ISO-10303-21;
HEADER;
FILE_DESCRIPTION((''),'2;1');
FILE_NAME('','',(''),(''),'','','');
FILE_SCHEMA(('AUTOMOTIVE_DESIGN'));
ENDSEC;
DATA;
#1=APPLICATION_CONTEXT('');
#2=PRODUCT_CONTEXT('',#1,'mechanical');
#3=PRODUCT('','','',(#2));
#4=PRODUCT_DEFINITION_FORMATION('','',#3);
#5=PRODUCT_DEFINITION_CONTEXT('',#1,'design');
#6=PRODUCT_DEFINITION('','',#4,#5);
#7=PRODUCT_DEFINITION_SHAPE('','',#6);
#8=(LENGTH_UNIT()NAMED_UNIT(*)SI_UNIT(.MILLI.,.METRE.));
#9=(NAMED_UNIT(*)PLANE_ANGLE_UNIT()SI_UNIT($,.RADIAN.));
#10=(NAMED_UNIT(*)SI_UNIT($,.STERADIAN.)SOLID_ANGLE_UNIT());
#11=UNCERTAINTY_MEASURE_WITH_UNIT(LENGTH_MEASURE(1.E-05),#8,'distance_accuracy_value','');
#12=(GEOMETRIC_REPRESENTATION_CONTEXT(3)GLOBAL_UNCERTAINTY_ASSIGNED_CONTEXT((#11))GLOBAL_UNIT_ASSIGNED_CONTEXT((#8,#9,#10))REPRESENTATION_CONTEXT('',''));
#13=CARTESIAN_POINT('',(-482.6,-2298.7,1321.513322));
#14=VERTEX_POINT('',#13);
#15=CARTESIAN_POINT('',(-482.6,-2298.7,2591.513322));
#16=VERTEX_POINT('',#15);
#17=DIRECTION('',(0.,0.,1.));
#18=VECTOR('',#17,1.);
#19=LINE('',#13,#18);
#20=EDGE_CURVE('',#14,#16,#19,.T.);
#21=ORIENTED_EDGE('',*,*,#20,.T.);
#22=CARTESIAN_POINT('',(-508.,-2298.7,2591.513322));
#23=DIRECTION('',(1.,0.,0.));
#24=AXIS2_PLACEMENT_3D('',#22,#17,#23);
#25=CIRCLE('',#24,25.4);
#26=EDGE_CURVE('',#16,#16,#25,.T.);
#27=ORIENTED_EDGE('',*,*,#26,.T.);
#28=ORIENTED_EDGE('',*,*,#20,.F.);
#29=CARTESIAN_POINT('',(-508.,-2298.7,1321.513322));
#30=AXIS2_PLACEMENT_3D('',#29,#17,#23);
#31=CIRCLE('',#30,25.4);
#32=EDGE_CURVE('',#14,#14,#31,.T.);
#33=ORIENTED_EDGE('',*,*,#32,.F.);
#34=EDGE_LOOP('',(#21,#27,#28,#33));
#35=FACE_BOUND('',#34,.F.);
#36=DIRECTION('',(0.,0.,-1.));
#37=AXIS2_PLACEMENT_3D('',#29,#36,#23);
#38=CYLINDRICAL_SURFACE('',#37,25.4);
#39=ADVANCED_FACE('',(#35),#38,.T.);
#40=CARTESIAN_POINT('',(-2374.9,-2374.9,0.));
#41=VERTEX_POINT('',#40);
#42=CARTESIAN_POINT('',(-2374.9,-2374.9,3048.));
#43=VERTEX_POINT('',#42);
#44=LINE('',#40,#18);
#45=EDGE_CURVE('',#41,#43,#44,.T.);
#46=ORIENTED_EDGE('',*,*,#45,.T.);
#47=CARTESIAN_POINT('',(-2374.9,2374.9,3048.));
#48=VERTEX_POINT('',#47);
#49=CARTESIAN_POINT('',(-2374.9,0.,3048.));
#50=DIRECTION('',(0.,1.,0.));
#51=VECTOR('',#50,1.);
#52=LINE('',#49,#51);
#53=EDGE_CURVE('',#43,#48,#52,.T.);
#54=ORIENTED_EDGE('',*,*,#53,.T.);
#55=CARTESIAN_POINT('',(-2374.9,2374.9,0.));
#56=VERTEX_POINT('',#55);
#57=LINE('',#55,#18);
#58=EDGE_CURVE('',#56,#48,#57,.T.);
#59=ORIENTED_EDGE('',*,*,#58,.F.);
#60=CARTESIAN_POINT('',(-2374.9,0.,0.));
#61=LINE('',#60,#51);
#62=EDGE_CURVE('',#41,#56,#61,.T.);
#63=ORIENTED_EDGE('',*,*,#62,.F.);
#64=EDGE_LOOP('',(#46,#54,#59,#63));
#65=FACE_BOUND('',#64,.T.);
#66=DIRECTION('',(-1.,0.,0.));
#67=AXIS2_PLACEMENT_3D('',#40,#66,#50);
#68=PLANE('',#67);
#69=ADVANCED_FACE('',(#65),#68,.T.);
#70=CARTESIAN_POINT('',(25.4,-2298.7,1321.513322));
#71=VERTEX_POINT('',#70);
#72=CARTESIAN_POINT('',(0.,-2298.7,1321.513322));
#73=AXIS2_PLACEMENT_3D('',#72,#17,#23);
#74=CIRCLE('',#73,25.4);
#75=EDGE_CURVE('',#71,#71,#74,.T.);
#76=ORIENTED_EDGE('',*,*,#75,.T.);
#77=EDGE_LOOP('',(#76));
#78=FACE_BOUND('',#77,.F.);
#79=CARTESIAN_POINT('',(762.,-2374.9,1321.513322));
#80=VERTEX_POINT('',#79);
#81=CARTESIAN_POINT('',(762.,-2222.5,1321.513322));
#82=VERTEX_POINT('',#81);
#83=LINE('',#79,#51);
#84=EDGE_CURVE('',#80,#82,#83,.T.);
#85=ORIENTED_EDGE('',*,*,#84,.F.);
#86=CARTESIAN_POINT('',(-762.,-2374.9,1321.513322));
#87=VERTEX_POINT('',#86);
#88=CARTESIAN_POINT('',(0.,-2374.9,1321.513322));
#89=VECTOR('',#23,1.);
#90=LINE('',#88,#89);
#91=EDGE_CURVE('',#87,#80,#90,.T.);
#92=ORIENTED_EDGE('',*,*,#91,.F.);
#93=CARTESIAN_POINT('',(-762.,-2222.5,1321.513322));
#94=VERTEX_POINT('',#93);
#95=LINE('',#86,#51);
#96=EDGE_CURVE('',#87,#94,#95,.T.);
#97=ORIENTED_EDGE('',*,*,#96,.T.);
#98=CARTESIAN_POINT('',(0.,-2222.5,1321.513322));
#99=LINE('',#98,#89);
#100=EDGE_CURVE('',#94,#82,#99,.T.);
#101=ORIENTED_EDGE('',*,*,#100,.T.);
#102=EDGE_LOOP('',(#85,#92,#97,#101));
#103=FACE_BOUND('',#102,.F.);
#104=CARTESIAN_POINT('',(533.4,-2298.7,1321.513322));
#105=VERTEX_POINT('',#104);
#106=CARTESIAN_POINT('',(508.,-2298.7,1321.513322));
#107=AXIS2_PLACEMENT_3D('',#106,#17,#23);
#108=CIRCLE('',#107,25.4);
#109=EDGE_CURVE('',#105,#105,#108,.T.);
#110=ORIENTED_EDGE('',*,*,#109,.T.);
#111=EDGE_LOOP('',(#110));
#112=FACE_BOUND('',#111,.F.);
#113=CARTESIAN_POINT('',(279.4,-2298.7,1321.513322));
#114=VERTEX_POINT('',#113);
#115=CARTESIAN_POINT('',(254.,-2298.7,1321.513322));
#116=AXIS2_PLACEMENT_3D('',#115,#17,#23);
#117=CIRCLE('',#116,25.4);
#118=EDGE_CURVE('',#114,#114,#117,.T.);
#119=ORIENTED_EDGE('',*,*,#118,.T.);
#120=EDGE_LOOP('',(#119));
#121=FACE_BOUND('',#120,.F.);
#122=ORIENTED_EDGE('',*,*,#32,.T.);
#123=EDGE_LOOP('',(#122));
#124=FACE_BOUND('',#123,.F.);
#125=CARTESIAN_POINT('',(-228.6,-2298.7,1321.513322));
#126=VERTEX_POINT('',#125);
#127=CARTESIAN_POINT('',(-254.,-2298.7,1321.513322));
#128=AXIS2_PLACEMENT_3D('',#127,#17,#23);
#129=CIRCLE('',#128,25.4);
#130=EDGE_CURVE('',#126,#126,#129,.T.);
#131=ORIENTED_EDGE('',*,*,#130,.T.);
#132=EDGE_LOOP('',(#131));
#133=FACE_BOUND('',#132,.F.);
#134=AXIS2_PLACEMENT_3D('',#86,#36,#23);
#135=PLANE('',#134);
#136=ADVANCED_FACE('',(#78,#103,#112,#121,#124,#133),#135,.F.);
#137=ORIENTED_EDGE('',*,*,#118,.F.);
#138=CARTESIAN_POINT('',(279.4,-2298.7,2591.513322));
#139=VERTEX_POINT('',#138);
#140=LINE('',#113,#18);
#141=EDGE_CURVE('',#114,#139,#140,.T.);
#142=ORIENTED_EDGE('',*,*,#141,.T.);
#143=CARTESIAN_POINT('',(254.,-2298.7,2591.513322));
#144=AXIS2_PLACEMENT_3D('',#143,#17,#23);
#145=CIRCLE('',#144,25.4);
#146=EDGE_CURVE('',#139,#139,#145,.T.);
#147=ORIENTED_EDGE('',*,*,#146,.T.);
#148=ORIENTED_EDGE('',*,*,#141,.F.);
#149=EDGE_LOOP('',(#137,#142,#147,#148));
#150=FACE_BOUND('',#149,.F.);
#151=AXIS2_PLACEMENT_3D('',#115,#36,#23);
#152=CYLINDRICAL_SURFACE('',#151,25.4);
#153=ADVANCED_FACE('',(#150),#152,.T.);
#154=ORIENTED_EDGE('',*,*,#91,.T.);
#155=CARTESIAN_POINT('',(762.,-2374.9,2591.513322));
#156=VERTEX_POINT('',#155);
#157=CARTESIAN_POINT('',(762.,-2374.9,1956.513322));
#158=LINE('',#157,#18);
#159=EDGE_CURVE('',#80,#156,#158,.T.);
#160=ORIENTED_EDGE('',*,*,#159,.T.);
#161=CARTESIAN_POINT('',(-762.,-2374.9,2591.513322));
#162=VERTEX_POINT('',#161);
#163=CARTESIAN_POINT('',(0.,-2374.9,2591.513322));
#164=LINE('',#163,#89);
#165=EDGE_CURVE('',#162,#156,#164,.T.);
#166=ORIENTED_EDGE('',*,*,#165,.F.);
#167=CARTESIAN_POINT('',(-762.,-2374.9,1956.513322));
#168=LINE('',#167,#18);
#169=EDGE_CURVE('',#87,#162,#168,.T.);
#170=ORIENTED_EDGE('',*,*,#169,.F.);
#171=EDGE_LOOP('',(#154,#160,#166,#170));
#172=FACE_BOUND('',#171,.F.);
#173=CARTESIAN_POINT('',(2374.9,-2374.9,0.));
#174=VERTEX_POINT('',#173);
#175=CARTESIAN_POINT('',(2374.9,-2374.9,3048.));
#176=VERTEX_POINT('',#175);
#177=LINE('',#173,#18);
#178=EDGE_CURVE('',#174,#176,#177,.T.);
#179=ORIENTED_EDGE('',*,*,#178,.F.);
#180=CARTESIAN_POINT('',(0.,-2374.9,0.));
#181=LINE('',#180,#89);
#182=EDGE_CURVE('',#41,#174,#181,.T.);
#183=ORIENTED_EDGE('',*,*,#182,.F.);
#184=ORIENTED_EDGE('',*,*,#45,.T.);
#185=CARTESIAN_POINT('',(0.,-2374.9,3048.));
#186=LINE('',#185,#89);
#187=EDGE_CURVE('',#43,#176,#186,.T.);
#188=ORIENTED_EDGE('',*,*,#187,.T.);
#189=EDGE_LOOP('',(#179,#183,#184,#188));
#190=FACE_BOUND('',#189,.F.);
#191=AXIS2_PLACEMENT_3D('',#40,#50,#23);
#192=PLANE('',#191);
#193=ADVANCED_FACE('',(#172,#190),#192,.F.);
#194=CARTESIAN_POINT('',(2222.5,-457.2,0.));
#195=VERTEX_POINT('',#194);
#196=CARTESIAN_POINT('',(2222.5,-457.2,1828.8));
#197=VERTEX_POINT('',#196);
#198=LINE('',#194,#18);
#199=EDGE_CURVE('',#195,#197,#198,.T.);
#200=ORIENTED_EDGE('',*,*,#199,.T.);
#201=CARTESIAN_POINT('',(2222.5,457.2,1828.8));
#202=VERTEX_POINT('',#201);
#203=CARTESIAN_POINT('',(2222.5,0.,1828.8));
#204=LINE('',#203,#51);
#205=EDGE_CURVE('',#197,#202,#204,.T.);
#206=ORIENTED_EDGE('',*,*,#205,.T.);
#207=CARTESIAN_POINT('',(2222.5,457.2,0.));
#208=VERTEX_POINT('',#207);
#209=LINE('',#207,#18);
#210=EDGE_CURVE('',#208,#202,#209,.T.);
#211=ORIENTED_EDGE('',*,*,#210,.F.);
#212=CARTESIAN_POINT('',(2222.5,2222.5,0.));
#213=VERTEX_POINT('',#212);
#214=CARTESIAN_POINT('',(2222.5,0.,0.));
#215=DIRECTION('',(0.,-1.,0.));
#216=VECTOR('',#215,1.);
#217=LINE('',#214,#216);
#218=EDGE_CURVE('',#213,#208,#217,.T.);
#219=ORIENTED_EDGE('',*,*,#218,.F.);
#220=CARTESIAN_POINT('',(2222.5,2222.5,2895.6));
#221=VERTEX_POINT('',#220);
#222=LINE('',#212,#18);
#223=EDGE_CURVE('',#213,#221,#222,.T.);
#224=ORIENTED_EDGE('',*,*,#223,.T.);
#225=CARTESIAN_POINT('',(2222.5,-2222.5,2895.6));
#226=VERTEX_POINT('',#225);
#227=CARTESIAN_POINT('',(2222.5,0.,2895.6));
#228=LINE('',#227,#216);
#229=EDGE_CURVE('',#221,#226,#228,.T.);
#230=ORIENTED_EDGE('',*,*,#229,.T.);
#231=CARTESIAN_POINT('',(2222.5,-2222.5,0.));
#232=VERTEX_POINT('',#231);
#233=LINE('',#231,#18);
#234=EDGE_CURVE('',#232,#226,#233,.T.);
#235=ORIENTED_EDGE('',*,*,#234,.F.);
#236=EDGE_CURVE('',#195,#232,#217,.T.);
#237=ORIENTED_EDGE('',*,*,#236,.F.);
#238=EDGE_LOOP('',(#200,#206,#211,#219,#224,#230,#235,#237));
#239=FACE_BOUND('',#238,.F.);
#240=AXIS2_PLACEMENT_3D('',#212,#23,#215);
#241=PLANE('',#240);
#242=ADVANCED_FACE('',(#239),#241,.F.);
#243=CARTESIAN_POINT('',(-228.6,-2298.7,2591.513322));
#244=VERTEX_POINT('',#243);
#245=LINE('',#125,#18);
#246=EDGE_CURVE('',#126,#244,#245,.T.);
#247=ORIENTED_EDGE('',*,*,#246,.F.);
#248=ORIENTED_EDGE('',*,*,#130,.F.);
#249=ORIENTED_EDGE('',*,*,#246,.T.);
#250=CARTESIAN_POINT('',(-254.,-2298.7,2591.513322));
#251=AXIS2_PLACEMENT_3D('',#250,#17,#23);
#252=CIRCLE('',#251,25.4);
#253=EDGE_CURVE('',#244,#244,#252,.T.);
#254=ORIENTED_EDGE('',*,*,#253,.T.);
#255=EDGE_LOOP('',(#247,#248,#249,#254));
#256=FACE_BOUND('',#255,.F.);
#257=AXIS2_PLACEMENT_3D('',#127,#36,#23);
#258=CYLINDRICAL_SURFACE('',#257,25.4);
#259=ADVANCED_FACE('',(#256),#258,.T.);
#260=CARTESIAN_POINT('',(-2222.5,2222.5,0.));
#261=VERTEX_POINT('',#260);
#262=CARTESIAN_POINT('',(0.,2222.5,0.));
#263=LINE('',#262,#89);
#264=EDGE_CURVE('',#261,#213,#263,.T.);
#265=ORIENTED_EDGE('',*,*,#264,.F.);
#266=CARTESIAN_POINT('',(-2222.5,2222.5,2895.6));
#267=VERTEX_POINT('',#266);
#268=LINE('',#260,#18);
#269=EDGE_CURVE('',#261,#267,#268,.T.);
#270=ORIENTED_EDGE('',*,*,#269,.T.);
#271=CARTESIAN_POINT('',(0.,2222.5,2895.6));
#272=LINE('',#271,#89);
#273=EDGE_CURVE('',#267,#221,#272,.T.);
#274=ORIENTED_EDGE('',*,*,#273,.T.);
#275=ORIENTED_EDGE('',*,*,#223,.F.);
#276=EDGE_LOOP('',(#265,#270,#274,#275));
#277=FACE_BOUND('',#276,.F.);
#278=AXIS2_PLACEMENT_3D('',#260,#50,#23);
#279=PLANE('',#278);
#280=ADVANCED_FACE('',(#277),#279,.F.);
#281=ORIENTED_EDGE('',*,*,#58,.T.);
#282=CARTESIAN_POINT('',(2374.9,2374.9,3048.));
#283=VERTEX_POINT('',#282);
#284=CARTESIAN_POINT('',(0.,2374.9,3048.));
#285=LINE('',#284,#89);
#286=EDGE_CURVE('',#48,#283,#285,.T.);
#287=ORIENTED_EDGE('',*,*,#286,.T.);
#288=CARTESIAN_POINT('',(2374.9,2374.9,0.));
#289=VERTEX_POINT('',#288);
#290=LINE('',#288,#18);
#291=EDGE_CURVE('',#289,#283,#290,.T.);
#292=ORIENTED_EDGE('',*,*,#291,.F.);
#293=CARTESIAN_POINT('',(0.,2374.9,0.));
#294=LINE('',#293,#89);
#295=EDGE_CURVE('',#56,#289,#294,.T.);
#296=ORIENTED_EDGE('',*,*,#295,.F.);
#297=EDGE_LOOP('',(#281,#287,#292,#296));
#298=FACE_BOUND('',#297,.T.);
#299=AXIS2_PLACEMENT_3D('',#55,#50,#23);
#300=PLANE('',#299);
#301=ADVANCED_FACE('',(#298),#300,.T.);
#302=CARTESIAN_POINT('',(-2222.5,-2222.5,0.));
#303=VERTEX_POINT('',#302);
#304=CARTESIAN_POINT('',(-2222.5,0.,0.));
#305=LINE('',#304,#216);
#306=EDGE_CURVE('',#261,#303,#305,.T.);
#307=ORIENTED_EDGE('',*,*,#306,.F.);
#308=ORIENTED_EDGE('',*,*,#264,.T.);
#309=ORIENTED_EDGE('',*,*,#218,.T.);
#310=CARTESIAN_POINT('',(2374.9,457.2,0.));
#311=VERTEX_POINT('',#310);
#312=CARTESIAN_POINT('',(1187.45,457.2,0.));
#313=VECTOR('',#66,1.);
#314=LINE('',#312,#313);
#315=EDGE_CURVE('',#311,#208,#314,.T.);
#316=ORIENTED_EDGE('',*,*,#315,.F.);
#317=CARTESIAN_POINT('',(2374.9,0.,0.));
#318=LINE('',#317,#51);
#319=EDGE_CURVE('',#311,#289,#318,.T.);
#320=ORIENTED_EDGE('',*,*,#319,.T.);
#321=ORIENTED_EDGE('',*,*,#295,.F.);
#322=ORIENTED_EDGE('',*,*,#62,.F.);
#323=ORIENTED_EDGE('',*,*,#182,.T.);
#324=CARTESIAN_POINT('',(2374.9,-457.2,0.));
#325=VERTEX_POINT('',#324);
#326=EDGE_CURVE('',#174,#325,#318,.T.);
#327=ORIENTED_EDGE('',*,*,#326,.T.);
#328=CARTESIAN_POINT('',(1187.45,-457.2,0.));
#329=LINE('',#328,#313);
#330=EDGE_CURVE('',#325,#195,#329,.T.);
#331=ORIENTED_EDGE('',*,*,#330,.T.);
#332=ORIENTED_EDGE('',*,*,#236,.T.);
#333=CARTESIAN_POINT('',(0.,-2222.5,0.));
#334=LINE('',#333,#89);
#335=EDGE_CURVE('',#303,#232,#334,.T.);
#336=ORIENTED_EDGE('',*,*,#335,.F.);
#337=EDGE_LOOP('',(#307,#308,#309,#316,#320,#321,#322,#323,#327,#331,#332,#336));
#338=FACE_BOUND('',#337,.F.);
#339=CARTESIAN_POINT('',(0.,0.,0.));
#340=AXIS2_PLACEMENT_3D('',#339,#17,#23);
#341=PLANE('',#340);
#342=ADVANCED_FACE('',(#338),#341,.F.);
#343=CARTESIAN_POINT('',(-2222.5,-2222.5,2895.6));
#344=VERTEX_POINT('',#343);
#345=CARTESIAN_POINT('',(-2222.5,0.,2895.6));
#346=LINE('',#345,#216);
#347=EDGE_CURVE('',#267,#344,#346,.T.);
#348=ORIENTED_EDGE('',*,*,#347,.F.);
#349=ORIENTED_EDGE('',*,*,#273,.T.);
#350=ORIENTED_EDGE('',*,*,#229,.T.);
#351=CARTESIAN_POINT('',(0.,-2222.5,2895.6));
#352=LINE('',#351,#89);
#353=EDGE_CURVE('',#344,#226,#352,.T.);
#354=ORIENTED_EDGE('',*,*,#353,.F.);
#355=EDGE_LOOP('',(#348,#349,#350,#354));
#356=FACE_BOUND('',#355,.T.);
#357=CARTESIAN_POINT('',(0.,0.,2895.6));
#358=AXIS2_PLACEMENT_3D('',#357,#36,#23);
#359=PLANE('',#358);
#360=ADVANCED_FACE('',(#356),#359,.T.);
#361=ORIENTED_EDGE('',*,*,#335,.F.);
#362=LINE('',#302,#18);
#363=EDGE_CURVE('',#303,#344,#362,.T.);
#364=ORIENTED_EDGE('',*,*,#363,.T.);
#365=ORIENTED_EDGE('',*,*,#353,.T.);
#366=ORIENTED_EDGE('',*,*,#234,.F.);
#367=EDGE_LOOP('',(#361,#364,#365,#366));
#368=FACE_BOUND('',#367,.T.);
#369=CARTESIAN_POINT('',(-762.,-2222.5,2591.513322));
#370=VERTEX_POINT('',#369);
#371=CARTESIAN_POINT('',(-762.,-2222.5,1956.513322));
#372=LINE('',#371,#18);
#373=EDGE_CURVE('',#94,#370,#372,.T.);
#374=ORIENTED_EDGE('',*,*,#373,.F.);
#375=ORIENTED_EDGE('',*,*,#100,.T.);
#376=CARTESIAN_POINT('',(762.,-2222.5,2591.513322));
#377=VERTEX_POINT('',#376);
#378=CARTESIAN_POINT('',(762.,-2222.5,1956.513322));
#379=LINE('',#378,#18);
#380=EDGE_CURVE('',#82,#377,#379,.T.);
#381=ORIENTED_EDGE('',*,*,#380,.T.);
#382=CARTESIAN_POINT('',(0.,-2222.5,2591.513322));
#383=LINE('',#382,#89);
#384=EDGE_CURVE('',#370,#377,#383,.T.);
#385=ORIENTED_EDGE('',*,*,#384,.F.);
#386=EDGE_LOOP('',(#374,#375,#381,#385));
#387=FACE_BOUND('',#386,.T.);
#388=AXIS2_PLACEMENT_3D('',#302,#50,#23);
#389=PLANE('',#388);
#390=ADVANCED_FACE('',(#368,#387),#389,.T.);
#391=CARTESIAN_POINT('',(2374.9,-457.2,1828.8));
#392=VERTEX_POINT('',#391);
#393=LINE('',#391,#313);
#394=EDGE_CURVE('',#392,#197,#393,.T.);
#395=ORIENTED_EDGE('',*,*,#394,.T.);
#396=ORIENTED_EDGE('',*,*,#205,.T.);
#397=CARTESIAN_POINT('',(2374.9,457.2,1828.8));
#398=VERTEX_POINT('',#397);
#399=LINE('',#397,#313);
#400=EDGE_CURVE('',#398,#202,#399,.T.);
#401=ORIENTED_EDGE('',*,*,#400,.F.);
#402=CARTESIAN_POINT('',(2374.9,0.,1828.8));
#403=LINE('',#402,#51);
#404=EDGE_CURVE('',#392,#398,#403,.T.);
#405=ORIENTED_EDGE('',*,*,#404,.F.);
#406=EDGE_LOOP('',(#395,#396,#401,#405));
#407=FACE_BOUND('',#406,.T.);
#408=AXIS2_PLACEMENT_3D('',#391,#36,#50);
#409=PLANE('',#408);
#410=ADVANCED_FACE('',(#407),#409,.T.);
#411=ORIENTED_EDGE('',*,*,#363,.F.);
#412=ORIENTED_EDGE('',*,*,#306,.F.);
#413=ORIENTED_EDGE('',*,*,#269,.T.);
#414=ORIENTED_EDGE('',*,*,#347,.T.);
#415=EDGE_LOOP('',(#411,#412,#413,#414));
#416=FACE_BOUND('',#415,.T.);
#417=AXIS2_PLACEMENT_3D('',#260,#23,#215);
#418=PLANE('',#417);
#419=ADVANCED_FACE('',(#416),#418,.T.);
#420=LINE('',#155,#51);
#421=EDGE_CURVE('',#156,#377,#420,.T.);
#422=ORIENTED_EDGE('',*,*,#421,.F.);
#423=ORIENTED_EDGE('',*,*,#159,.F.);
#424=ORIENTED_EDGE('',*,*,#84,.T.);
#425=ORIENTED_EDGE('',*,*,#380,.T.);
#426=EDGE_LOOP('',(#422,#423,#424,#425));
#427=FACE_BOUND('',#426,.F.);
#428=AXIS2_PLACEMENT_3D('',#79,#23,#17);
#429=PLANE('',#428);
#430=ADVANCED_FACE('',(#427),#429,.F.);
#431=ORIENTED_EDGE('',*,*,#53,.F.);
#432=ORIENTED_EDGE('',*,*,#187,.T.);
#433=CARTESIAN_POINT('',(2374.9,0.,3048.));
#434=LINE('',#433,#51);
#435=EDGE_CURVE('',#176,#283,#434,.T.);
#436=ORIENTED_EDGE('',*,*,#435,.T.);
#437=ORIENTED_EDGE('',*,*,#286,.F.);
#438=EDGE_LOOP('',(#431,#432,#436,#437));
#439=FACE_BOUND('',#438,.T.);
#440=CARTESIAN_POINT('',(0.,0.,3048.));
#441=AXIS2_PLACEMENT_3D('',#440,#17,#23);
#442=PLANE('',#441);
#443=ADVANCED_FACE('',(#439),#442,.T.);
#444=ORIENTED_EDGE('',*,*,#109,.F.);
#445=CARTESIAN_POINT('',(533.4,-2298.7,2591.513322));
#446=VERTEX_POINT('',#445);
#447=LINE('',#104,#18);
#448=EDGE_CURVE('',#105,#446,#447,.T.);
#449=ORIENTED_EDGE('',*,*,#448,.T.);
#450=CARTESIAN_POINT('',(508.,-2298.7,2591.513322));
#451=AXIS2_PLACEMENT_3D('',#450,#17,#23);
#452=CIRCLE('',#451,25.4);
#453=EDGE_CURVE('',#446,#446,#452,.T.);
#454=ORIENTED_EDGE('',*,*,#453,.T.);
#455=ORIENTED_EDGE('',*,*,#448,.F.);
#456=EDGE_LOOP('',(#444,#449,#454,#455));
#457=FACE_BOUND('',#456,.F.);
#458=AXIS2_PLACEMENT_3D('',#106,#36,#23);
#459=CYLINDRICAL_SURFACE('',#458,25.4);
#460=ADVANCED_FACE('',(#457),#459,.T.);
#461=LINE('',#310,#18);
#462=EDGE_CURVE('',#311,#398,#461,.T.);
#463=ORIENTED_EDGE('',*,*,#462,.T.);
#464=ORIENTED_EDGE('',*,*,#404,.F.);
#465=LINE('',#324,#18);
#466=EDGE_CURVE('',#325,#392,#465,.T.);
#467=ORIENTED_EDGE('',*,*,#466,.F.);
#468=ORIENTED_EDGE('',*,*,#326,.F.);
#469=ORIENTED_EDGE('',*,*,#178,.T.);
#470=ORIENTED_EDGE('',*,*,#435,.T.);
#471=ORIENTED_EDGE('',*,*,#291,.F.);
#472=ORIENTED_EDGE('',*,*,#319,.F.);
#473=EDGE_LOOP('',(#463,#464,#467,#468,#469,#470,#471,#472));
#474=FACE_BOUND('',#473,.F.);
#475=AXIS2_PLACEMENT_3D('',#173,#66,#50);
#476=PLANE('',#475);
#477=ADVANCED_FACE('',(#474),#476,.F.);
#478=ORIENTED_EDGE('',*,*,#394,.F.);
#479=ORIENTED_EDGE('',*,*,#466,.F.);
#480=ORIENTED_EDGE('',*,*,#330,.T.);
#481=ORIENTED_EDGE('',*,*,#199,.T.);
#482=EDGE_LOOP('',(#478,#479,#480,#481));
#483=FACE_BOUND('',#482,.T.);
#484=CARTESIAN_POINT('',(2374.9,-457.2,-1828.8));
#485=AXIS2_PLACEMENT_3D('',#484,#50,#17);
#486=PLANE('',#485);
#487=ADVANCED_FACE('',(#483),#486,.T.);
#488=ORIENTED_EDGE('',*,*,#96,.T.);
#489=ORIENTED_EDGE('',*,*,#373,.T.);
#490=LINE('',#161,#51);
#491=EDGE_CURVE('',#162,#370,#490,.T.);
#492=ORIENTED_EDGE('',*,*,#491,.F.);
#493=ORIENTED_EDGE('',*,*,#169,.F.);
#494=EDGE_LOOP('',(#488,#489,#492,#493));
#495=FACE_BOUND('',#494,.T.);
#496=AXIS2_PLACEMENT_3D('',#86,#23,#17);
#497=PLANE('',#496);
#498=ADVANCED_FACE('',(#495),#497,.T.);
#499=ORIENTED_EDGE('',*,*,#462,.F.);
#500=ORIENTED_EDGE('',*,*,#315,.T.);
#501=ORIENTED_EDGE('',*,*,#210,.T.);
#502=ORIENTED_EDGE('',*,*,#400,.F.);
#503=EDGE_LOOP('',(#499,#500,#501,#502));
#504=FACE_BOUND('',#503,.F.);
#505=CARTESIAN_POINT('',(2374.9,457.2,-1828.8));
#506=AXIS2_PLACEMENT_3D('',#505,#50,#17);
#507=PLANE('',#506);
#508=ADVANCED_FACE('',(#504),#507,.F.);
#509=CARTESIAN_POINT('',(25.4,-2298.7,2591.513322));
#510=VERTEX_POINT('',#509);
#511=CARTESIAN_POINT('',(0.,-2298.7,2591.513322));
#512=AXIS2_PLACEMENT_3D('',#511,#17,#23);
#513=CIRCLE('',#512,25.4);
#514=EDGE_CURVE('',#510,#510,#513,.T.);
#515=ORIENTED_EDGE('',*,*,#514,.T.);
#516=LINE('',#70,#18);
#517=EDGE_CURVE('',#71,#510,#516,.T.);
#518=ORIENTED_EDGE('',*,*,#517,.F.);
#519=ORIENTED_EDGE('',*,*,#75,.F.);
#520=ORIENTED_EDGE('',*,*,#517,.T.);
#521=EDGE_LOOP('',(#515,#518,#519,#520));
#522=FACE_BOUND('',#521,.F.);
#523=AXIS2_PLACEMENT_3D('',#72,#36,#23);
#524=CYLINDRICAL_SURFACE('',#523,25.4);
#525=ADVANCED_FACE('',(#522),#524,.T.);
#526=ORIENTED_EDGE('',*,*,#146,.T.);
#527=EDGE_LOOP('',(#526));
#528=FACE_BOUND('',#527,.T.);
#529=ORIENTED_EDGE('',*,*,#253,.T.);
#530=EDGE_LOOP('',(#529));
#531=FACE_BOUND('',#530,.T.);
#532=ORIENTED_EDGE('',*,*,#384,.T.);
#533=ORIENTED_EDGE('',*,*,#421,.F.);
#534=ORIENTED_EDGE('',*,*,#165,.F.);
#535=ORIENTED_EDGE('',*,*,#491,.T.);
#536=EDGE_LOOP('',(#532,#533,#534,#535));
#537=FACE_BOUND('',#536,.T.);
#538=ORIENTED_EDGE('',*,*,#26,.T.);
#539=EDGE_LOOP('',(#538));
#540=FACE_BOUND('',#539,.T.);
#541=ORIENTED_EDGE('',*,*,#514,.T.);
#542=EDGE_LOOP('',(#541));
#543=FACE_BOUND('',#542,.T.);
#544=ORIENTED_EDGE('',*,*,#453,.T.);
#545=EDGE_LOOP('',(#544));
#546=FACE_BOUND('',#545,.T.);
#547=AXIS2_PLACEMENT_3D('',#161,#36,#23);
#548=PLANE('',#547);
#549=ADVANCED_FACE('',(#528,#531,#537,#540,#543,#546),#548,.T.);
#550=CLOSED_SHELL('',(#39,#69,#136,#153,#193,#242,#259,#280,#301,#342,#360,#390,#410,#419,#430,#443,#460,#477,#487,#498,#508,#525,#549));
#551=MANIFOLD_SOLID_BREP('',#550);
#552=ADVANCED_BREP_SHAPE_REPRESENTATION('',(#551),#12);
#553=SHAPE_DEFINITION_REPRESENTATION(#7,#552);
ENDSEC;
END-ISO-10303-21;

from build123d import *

# Parameters (mm, degrees)
F0_W     = 4749.8
F0_H     = 4749.8
F1_DEPTH = 3048
F2_W     = 1524
F2_H     = 1270
F3_DEPTH = 152.4
F4_W     = 4445
F4_H     = 4445
F5_DEPTH = 2895.6
F6_R     = 25.4
F7_DEPTH = 1270
F8_W     = 914.4
F8_H     = 3657.6
F9_DEPTH = 152.4


with BuildPart() as f1:
    # F0 (on Top) → F1 (new body)
    with BuildSketch(Plane.XY):
        Rectangle(F0_W, F0_H)
    extrude(amount=F1_DEPTH)

    # F2 (on face) → F3 (cut)
    with BuildSketch(Plane.XZ.offset(2374.9)):
        with Locations((0, 1956.513322)):
            Rectangle(F2_W, F2_H)
    extrude(amount=-F3_DEPTH, mode=Mode.SUBTRACT)

    # F4 (on face) → F5 (cut)
    with BuildSketch(Plane(origin=(0, 0, 0), x_dir=(1, 0, 0), z_dir=(0, 0, -1))):
        Rectangle(F4_W, F4_H)
    extrude(amount=-F5_DEPTH, mode=Mode.SUBTRACT)

    # F6 (on face) → F7 (join)
    with BuildSketch(Plane.XY.offset(1321.513322)):
        with Locations((-508, -2298.7)):
            Circle(F6_R)
        with Locations((0, -2298.7)):
            Circle(F6_R)
        with Locations((508, -2298.7)):
            Circle(F6_R)
        with Locations((-254, -2298.7)):
            Circle(F6_R)
        with Locations((254, -2298.7)):
            Circle(F6_R)
    extrude(amount=F7_DEPTH)

    # F8 (on face) → F9 (cut)
    with BuildSketch(Plane.YZ.offset(2374.9)):
        Rectangle(F8_W, F8_H)
    extrude(amount=-F9_DEPTH, mode=Mode.SUBTRACT)


solid = f1.part
